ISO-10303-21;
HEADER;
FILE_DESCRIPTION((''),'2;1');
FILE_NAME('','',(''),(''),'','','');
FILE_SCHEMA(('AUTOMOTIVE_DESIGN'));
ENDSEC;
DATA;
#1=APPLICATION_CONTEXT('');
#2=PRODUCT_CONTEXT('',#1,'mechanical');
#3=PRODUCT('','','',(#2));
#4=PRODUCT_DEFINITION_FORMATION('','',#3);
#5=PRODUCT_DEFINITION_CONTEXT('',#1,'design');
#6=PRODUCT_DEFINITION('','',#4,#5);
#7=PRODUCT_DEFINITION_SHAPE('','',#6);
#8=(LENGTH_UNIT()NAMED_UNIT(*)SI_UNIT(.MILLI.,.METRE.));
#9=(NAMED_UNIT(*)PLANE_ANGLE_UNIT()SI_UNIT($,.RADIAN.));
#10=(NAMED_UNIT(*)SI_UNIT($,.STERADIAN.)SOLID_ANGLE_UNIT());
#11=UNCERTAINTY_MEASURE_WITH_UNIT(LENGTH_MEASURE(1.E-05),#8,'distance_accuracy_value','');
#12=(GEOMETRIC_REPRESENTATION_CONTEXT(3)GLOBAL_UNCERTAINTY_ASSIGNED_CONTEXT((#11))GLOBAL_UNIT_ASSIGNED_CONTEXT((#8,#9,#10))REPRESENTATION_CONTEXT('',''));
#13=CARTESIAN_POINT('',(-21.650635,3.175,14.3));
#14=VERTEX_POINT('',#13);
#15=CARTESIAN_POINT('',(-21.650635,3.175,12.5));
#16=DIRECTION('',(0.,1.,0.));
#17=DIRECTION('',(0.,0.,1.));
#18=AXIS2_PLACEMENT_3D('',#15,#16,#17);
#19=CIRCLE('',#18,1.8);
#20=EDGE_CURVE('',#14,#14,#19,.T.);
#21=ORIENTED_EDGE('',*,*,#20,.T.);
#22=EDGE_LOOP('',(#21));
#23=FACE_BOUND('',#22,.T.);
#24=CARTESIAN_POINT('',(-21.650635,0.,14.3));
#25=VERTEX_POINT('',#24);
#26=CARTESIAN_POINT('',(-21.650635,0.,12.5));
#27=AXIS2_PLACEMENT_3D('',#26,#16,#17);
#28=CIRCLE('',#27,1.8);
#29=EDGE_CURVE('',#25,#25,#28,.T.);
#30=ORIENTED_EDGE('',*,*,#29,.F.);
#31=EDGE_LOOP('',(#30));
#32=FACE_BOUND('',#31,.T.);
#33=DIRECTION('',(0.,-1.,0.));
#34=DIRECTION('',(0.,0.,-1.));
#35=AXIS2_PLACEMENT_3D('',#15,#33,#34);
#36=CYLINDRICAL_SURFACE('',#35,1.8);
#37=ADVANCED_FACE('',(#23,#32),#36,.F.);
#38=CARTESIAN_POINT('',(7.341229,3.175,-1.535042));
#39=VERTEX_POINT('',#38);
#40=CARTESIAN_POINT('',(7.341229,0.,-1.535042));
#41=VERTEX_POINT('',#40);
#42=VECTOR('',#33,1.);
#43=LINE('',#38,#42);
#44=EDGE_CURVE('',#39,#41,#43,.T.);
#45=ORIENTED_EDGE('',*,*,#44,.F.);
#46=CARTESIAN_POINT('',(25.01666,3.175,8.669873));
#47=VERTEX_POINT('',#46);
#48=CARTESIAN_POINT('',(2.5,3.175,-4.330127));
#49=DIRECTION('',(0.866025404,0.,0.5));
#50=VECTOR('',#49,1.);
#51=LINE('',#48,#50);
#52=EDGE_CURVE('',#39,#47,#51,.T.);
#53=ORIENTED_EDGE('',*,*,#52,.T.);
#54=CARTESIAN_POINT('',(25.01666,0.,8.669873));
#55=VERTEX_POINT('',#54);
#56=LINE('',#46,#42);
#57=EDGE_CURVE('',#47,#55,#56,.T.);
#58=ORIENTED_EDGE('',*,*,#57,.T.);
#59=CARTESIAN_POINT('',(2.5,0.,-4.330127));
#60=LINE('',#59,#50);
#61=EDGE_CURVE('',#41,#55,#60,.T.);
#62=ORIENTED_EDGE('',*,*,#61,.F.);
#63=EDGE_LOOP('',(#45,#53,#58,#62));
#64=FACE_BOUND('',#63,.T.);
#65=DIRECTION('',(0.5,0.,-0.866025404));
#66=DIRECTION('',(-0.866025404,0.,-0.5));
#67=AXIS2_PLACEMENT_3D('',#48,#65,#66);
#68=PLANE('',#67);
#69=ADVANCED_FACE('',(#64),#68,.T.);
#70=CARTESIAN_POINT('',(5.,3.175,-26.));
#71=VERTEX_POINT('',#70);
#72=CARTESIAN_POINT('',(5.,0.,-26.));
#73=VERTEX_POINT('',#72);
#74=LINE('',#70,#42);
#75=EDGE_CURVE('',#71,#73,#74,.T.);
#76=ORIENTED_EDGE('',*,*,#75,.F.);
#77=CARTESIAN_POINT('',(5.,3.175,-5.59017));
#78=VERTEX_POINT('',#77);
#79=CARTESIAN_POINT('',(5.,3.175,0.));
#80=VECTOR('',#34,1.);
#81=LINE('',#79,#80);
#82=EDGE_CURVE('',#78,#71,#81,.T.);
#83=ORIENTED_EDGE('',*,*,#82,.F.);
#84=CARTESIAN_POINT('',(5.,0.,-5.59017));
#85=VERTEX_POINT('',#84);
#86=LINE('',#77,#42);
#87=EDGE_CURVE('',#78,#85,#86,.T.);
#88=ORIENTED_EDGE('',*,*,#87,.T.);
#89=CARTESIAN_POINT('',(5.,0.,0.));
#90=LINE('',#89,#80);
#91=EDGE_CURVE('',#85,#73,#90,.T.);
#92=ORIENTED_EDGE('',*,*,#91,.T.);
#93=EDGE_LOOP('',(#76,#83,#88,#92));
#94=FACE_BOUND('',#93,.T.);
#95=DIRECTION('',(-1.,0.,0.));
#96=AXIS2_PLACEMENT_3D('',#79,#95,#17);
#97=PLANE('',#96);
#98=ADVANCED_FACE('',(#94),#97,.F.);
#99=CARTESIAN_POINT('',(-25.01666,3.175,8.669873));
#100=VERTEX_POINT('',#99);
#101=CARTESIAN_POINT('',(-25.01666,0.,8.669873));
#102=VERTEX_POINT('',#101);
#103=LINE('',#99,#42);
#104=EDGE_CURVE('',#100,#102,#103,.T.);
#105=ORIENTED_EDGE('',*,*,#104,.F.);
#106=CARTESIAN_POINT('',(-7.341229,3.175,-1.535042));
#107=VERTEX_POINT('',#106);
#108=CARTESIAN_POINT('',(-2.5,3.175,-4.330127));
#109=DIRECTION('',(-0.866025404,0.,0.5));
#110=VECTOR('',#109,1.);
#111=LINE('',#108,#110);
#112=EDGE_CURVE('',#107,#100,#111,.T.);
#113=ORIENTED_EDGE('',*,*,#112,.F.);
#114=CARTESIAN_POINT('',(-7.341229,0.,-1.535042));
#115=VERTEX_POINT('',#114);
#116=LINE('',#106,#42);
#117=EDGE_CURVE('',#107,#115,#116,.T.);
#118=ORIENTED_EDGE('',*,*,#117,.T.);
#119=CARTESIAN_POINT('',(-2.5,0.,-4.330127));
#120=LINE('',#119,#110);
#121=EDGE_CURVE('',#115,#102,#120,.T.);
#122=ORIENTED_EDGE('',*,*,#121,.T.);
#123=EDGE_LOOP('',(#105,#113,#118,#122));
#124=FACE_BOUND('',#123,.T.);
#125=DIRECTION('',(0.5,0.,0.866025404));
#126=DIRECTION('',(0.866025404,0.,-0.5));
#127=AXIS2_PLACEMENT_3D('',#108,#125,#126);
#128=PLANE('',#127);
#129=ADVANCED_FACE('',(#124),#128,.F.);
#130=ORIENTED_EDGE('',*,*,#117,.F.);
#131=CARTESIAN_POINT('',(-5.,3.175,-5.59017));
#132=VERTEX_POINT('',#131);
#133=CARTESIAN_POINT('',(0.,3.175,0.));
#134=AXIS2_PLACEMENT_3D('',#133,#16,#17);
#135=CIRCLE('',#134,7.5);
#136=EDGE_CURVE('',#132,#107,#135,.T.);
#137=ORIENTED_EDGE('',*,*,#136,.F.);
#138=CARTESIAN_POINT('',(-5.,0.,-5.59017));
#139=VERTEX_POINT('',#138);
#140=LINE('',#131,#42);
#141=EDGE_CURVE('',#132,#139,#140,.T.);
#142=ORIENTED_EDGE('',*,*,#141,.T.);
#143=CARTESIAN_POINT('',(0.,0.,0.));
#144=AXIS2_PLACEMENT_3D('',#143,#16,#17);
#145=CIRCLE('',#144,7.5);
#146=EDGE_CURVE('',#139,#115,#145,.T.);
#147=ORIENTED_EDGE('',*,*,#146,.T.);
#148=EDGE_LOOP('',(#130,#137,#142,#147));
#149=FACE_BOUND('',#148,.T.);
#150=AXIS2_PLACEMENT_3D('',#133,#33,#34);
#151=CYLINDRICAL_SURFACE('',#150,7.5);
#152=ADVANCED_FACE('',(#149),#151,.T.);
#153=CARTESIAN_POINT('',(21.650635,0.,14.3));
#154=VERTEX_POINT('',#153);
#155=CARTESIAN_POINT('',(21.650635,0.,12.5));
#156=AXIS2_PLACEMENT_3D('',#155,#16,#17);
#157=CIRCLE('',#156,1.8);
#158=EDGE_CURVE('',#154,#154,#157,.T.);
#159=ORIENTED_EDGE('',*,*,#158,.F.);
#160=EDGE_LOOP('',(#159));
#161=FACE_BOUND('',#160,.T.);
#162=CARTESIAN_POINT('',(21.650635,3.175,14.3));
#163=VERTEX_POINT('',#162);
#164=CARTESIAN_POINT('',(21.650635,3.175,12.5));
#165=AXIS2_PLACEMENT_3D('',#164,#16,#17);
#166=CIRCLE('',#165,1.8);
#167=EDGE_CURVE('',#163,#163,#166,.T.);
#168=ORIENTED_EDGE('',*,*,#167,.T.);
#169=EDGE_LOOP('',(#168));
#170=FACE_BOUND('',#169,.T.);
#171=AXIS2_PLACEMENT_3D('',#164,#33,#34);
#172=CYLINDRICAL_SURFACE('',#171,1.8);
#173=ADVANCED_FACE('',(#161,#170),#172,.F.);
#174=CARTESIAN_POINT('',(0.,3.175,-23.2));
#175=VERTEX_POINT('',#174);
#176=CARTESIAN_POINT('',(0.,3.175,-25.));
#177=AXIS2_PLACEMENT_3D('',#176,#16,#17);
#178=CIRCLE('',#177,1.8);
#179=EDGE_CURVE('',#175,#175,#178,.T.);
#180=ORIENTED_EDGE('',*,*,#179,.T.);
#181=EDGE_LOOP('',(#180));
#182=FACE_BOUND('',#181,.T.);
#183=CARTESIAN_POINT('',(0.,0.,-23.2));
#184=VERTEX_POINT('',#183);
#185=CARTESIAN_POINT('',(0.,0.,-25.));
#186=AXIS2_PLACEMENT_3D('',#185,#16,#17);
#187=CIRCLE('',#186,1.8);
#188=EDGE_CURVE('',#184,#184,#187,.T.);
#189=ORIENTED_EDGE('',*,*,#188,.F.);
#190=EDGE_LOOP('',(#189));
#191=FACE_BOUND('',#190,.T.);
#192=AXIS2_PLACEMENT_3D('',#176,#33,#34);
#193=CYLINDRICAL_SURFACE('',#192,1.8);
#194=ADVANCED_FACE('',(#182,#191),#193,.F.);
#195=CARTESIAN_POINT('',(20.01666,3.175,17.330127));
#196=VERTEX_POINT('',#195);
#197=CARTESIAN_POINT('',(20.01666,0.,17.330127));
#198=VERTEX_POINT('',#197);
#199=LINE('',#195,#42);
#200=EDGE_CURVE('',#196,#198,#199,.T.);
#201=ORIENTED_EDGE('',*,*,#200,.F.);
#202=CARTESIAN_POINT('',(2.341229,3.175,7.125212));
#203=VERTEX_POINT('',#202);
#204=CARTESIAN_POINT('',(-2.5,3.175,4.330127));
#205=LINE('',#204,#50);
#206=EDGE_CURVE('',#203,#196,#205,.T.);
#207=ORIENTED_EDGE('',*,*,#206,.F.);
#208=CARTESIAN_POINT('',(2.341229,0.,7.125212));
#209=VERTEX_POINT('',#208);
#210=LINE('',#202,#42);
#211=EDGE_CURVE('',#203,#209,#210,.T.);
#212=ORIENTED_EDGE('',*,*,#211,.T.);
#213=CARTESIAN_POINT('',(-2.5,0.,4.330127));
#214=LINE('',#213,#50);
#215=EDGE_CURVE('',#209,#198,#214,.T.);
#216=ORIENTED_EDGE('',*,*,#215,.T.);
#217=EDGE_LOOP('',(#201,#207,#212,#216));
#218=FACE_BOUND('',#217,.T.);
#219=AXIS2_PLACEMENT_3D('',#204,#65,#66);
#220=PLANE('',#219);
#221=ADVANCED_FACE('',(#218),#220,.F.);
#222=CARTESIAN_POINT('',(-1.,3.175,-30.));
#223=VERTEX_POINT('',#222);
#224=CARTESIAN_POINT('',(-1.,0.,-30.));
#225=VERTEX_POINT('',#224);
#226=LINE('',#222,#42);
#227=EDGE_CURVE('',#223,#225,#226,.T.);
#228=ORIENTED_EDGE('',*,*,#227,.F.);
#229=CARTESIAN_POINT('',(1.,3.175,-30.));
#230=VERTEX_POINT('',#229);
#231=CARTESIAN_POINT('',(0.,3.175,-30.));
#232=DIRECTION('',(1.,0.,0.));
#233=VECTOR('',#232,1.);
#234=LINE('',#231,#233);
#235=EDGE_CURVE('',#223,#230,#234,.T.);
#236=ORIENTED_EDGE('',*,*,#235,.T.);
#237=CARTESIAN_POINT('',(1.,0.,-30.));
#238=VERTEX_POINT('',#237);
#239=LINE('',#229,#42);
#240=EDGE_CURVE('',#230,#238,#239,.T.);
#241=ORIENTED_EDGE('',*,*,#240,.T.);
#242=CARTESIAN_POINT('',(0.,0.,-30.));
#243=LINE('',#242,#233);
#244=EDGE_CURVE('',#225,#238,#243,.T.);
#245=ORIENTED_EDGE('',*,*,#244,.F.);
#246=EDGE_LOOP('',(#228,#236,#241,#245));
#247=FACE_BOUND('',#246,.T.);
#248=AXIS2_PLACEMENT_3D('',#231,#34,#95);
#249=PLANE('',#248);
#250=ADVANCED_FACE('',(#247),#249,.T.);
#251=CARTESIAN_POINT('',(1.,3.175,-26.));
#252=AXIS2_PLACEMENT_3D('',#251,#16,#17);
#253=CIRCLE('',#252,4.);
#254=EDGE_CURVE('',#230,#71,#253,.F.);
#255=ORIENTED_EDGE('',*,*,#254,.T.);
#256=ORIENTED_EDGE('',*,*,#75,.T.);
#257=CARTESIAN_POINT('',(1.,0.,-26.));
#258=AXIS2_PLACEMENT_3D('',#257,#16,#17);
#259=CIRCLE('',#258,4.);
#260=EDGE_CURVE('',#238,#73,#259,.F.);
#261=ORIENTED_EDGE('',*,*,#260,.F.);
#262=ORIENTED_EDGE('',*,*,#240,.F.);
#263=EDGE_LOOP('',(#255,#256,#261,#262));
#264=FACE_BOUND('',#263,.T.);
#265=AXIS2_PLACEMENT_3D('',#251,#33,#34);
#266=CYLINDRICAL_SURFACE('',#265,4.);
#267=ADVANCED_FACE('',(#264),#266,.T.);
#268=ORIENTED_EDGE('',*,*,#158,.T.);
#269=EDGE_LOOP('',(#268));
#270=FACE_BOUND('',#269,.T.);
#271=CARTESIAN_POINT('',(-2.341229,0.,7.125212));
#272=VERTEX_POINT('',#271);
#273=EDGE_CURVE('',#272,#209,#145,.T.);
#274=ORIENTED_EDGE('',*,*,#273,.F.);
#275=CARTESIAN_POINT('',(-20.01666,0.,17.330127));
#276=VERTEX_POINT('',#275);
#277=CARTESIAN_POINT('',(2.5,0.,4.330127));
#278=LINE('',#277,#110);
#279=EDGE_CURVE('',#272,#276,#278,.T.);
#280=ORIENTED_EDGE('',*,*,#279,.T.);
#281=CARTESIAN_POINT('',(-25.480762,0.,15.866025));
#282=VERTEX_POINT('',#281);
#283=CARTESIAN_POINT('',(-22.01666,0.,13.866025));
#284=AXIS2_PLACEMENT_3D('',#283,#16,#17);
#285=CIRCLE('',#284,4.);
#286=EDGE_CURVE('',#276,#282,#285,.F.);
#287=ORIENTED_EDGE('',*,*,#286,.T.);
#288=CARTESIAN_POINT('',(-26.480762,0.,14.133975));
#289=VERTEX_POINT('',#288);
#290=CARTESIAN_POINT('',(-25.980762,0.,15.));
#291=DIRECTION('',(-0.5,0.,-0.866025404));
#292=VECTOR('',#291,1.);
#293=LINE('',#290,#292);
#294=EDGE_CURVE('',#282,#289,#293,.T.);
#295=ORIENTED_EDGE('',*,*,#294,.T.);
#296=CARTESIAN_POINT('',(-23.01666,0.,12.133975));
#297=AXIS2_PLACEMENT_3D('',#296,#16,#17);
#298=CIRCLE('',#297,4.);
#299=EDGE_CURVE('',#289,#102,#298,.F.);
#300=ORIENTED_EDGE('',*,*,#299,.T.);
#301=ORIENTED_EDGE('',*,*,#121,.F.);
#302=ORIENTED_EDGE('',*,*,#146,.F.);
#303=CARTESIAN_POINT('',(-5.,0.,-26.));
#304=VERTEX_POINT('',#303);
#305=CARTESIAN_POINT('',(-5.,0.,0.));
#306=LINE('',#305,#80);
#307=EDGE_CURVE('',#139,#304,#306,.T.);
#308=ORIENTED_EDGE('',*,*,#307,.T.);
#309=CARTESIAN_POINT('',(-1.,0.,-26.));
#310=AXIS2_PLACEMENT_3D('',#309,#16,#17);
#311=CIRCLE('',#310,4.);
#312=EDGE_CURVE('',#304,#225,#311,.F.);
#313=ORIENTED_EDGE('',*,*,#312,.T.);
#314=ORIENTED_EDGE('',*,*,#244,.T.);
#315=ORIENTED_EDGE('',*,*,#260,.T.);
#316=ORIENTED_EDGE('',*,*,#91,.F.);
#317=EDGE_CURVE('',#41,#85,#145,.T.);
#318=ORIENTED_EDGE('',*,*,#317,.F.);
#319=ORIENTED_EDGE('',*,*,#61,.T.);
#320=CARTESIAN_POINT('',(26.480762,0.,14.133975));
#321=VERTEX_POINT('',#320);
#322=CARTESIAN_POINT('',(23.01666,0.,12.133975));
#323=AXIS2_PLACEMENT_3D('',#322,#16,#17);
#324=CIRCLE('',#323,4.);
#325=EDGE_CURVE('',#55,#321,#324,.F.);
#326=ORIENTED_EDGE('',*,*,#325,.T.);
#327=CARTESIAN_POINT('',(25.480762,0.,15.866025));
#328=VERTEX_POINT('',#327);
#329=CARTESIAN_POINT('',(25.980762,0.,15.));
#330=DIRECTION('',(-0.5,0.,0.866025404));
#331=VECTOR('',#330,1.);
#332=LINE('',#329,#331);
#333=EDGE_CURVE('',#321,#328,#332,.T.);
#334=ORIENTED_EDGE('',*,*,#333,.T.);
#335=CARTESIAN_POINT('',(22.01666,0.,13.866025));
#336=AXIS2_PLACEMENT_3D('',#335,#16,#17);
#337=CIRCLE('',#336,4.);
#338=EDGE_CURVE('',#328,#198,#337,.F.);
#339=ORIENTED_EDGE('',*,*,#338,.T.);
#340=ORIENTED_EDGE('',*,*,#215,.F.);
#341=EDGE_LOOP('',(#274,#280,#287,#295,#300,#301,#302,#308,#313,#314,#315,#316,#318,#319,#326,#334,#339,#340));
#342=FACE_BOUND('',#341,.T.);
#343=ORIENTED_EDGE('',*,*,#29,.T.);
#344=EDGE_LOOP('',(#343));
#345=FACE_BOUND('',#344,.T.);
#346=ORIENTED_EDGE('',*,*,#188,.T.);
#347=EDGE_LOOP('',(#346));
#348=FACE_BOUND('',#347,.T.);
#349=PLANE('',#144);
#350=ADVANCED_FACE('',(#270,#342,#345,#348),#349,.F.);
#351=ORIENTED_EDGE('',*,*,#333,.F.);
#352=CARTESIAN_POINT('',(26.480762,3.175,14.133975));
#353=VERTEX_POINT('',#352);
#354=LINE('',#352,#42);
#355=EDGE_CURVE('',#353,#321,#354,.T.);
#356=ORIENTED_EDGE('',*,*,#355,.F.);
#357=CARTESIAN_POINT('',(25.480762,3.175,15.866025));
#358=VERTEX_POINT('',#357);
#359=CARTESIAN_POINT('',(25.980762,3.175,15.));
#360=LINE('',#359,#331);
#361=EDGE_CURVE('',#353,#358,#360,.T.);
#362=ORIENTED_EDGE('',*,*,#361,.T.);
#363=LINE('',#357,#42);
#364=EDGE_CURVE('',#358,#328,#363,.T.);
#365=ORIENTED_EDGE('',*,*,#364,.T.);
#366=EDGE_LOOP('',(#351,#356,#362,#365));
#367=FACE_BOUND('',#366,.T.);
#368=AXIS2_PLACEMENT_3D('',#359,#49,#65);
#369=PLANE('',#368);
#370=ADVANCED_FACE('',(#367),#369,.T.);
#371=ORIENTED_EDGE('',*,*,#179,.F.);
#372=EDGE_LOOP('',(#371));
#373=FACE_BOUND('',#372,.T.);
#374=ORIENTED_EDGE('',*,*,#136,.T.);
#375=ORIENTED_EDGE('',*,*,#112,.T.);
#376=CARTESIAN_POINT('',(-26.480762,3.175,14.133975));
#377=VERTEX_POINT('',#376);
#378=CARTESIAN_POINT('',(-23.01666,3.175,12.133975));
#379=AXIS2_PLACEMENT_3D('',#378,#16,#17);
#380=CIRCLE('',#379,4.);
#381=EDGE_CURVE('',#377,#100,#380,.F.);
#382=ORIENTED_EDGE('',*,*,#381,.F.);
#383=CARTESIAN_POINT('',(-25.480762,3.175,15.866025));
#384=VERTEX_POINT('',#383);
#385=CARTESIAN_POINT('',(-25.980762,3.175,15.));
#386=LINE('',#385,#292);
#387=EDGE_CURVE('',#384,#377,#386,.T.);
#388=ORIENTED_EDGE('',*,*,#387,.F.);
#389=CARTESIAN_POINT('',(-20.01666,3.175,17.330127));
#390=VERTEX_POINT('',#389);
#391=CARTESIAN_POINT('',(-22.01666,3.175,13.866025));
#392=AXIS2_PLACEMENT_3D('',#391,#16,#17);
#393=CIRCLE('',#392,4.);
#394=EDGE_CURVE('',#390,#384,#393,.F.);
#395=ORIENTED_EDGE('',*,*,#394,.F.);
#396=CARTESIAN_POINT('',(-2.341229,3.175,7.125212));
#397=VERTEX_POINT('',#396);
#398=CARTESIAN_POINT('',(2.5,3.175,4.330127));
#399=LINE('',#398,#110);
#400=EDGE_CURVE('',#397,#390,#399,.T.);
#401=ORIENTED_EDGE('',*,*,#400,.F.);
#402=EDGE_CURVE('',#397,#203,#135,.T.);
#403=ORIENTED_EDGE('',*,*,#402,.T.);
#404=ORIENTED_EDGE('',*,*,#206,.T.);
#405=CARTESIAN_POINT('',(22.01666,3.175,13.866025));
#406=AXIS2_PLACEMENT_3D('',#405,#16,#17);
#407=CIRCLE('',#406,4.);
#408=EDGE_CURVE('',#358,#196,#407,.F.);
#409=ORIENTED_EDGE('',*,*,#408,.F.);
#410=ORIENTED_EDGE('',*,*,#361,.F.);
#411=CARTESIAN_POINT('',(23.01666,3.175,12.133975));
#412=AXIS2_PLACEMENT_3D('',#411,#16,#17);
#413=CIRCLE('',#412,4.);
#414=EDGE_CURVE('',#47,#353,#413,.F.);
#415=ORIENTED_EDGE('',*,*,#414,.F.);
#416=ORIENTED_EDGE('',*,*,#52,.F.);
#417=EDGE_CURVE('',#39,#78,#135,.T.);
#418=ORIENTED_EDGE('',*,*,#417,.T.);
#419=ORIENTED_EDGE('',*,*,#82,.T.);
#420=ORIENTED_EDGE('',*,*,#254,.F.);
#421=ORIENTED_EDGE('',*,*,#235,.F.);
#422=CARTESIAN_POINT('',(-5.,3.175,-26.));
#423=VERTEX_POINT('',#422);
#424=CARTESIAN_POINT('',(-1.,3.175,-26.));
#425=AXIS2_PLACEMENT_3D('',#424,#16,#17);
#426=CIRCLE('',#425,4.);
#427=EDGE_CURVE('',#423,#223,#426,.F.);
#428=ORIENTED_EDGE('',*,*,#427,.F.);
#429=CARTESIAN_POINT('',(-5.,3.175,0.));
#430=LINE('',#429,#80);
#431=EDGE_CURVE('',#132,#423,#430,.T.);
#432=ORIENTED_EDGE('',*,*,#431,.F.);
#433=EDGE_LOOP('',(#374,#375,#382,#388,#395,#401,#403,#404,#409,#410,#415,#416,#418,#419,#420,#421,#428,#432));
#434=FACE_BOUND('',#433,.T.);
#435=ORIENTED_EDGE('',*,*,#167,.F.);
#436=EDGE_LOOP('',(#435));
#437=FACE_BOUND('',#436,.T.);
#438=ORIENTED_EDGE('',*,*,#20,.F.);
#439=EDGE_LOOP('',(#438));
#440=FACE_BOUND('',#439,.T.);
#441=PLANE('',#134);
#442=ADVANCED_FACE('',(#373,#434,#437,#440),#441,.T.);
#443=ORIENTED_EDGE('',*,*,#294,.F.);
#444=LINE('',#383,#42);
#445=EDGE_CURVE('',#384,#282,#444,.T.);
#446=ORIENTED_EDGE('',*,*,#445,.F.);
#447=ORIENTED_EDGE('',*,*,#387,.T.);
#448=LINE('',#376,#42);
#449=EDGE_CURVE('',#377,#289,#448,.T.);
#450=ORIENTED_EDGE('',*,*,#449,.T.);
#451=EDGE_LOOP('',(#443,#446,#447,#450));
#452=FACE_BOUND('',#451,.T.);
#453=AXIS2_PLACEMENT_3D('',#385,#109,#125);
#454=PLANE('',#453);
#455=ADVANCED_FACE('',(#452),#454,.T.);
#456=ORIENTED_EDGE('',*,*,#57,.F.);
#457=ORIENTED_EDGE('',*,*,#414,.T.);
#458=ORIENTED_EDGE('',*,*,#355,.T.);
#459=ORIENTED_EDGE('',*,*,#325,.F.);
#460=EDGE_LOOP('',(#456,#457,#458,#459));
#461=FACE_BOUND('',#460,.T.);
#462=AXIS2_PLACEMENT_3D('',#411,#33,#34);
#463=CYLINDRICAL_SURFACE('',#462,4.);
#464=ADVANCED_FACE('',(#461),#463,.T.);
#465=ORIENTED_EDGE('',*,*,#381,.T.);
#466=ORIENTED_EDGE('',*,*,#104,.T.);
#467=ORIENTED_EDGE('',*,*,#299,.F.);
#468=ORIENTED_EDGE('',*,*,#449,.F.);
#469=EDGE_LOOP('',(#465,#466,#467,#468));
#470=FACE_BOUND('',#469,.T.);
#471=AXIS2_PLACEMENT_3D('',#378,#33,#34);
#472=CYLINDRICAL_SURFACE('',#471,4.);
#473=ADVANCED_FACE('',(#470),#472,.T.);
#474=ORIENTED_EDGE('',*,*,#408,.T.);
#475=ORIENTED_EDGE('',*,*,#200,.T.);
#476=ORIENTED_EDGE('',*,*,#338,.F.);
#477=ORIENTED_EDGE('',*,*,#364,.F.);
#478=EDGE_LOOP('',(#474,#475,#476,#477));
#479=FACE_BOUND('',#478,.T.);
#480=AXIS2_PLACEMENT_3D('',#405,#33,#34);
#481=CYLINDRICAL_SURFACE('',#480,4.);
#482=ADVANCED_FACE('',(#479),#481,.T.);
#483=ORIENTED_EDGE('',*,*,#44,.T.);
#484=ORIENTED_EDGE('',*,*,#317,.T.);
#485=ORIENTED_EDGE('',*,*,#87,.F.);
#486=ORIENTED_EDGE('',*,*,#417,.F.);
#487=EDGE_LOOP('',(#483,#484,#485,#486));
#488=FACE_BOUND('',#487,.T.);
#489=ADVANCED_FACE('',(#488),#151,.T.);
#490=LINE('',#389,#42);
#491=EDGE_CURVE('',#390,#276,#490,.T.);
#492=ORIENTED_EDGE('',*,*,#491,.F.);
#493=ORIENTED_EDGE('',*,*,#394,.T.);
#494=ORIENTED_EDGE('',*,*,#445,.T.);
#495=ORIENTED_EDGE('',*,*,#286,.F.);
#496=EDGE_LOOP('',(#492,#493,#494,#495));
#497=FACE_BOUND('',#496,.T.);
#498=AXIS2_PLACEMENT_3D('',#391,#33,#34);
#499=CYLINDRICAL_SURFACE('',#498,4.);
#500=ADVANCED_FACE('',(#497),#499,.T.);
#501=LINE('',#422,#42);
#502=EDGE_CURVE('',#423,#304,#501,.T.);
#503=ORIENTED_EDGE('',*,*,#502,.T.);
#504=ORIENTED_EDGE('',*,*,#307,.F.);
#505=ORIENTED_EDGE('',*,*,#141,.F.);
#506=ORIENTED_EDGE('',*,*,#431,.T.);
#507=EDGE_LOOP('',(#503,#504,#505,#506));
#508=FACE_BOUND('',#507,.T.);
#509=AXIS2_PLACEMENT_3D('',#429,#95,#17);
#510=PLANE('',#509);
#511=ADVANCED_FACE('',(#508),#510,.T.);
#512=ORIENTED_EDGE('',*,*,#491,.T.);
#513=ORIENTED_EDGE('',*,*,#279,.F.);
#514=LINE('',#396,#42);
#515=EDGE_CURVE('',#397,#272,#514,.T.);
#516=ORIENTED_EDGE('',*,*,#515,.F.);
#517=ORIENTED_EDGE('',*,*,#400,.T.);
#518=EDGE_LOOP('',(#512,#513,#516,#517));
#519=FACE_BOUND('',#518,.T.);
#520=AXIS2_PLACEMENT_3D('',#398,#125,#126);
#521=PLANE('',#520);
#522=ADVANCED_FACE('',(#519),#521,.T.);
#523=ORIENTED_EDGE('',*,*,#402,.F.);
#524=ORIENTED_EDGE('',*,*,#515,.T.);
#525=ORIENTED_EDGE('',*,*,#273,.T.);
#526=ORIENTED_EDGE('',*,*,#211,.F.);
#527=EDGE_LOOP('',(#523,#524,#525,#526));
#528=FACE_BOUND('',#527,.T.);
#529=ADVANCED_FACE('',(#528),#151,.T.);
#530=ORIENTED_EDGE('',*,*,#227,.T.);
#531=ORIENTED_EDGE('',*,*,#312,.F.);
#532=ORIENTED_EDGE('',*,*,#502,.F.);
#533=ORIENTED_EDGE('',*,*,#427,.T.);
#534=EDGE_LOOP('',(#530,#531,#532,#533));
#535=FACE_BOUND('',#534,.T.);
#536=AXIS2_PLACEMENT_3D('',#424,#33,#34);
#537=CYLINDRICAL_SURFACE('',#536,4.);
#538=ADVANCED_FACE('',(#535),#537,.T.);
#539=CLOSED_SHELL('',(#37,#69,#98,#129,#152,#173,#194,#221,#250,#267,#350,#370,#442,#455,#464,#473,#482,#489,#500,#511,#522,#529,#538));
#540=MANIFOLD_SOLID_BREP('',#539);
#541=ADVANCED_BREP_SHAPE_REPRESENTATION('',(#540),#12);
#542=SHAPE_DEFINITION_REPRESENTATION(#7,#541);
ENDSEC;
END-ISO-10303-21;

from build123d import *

# Parameters (mm, degrees)
SKETCH1_R           = 7.5
SKETCH1_R_2         = 5
SKETCH1_R_3         = 1.8
BOSS_EXTRUDE1_DEPTH = 3.175


with BuildPart() as part:
    # Sketch1 → Boss-Extrude1 (new body)
    with BuildSketch(Plane(origin=(0, 0, 0), x_dir=(1, 0, 0), z_dir=(0, 1, 0))):
        Circle(SKETCH1_R)
        Circle(SKETCH1_R_2, mode=Mode.SUBTRACT)
        with BuildLine():
            Line((2.5, 4.330127019), (-2.5, -4.330127019))
            Line((-2.5, -4.330127019), (20.016660498, -17.330127019))
            ThreePointArc((20.016660498, -17.330127019), (23.051936679, -17.729728709), (25.480762114, -15.866025404))
            Line((25.480762114, -15.866025404), (26.480762114, -14.133974596))
            ThreePointArc((26.480762114, -14.133974596), (26.880363804, -11.098698416), (25.016660498, -8.669872981))
            Line((25.016660498, -8.669872981), (2.5, 4.330127019))
        make_face()
        with Locations((21.650635095, -12.5)):
            Circle(SKETCH1_R_3, mode=Mode.SUBTRACT)
        with BuildLine():
            Line((-5, 0), (5, 0))
            Line((5, 0), (5, 26))
            ThreePointArc((5, 26), (3.828427125, 28.828427125), (1, 30))
            Line((1, 30), (-1, 30))
            ThreePointArc((-1, 30), (-3.828427125, 28.828427125), (-5, 26))
            Line((-5, 26), (-5, 0))
        make_face()
        with Locations((0, 25)):
            Circle(SKETCH1_R_3, mode=Mode.SUBTRACT)
        with BuildLine():
            Line((2.5, -4.330127019), (-2.5, 4.330127019))
            Line((-2.5, 4.330127019), (-25.016660498, -8.669872981))
            ThreePointArc((-25.016660498, -8.669872981), (-26.880363804, -11.098698416), (-26.480762114, -14.133974596))
            Line((-26.480762114, -14.133974596), (-25.480762114, -15.866025404))
            ThreePointArc((-25.480762114, -15.866025404), (-23.051936679, -17.729728709), (-20.016660498, -17.330127019))
            Line((-20.016660498, -17.330127019), (2.5, -4.330127019))
        make_face()
        with Locations((-21.650635095, -12.5)):
            Circle(SKETCH1_R_3, mode=Mode.SUBTRACT)
    extrude(amount=BOSS_EXTRUDE1_DEPTH)


solid = part.part
